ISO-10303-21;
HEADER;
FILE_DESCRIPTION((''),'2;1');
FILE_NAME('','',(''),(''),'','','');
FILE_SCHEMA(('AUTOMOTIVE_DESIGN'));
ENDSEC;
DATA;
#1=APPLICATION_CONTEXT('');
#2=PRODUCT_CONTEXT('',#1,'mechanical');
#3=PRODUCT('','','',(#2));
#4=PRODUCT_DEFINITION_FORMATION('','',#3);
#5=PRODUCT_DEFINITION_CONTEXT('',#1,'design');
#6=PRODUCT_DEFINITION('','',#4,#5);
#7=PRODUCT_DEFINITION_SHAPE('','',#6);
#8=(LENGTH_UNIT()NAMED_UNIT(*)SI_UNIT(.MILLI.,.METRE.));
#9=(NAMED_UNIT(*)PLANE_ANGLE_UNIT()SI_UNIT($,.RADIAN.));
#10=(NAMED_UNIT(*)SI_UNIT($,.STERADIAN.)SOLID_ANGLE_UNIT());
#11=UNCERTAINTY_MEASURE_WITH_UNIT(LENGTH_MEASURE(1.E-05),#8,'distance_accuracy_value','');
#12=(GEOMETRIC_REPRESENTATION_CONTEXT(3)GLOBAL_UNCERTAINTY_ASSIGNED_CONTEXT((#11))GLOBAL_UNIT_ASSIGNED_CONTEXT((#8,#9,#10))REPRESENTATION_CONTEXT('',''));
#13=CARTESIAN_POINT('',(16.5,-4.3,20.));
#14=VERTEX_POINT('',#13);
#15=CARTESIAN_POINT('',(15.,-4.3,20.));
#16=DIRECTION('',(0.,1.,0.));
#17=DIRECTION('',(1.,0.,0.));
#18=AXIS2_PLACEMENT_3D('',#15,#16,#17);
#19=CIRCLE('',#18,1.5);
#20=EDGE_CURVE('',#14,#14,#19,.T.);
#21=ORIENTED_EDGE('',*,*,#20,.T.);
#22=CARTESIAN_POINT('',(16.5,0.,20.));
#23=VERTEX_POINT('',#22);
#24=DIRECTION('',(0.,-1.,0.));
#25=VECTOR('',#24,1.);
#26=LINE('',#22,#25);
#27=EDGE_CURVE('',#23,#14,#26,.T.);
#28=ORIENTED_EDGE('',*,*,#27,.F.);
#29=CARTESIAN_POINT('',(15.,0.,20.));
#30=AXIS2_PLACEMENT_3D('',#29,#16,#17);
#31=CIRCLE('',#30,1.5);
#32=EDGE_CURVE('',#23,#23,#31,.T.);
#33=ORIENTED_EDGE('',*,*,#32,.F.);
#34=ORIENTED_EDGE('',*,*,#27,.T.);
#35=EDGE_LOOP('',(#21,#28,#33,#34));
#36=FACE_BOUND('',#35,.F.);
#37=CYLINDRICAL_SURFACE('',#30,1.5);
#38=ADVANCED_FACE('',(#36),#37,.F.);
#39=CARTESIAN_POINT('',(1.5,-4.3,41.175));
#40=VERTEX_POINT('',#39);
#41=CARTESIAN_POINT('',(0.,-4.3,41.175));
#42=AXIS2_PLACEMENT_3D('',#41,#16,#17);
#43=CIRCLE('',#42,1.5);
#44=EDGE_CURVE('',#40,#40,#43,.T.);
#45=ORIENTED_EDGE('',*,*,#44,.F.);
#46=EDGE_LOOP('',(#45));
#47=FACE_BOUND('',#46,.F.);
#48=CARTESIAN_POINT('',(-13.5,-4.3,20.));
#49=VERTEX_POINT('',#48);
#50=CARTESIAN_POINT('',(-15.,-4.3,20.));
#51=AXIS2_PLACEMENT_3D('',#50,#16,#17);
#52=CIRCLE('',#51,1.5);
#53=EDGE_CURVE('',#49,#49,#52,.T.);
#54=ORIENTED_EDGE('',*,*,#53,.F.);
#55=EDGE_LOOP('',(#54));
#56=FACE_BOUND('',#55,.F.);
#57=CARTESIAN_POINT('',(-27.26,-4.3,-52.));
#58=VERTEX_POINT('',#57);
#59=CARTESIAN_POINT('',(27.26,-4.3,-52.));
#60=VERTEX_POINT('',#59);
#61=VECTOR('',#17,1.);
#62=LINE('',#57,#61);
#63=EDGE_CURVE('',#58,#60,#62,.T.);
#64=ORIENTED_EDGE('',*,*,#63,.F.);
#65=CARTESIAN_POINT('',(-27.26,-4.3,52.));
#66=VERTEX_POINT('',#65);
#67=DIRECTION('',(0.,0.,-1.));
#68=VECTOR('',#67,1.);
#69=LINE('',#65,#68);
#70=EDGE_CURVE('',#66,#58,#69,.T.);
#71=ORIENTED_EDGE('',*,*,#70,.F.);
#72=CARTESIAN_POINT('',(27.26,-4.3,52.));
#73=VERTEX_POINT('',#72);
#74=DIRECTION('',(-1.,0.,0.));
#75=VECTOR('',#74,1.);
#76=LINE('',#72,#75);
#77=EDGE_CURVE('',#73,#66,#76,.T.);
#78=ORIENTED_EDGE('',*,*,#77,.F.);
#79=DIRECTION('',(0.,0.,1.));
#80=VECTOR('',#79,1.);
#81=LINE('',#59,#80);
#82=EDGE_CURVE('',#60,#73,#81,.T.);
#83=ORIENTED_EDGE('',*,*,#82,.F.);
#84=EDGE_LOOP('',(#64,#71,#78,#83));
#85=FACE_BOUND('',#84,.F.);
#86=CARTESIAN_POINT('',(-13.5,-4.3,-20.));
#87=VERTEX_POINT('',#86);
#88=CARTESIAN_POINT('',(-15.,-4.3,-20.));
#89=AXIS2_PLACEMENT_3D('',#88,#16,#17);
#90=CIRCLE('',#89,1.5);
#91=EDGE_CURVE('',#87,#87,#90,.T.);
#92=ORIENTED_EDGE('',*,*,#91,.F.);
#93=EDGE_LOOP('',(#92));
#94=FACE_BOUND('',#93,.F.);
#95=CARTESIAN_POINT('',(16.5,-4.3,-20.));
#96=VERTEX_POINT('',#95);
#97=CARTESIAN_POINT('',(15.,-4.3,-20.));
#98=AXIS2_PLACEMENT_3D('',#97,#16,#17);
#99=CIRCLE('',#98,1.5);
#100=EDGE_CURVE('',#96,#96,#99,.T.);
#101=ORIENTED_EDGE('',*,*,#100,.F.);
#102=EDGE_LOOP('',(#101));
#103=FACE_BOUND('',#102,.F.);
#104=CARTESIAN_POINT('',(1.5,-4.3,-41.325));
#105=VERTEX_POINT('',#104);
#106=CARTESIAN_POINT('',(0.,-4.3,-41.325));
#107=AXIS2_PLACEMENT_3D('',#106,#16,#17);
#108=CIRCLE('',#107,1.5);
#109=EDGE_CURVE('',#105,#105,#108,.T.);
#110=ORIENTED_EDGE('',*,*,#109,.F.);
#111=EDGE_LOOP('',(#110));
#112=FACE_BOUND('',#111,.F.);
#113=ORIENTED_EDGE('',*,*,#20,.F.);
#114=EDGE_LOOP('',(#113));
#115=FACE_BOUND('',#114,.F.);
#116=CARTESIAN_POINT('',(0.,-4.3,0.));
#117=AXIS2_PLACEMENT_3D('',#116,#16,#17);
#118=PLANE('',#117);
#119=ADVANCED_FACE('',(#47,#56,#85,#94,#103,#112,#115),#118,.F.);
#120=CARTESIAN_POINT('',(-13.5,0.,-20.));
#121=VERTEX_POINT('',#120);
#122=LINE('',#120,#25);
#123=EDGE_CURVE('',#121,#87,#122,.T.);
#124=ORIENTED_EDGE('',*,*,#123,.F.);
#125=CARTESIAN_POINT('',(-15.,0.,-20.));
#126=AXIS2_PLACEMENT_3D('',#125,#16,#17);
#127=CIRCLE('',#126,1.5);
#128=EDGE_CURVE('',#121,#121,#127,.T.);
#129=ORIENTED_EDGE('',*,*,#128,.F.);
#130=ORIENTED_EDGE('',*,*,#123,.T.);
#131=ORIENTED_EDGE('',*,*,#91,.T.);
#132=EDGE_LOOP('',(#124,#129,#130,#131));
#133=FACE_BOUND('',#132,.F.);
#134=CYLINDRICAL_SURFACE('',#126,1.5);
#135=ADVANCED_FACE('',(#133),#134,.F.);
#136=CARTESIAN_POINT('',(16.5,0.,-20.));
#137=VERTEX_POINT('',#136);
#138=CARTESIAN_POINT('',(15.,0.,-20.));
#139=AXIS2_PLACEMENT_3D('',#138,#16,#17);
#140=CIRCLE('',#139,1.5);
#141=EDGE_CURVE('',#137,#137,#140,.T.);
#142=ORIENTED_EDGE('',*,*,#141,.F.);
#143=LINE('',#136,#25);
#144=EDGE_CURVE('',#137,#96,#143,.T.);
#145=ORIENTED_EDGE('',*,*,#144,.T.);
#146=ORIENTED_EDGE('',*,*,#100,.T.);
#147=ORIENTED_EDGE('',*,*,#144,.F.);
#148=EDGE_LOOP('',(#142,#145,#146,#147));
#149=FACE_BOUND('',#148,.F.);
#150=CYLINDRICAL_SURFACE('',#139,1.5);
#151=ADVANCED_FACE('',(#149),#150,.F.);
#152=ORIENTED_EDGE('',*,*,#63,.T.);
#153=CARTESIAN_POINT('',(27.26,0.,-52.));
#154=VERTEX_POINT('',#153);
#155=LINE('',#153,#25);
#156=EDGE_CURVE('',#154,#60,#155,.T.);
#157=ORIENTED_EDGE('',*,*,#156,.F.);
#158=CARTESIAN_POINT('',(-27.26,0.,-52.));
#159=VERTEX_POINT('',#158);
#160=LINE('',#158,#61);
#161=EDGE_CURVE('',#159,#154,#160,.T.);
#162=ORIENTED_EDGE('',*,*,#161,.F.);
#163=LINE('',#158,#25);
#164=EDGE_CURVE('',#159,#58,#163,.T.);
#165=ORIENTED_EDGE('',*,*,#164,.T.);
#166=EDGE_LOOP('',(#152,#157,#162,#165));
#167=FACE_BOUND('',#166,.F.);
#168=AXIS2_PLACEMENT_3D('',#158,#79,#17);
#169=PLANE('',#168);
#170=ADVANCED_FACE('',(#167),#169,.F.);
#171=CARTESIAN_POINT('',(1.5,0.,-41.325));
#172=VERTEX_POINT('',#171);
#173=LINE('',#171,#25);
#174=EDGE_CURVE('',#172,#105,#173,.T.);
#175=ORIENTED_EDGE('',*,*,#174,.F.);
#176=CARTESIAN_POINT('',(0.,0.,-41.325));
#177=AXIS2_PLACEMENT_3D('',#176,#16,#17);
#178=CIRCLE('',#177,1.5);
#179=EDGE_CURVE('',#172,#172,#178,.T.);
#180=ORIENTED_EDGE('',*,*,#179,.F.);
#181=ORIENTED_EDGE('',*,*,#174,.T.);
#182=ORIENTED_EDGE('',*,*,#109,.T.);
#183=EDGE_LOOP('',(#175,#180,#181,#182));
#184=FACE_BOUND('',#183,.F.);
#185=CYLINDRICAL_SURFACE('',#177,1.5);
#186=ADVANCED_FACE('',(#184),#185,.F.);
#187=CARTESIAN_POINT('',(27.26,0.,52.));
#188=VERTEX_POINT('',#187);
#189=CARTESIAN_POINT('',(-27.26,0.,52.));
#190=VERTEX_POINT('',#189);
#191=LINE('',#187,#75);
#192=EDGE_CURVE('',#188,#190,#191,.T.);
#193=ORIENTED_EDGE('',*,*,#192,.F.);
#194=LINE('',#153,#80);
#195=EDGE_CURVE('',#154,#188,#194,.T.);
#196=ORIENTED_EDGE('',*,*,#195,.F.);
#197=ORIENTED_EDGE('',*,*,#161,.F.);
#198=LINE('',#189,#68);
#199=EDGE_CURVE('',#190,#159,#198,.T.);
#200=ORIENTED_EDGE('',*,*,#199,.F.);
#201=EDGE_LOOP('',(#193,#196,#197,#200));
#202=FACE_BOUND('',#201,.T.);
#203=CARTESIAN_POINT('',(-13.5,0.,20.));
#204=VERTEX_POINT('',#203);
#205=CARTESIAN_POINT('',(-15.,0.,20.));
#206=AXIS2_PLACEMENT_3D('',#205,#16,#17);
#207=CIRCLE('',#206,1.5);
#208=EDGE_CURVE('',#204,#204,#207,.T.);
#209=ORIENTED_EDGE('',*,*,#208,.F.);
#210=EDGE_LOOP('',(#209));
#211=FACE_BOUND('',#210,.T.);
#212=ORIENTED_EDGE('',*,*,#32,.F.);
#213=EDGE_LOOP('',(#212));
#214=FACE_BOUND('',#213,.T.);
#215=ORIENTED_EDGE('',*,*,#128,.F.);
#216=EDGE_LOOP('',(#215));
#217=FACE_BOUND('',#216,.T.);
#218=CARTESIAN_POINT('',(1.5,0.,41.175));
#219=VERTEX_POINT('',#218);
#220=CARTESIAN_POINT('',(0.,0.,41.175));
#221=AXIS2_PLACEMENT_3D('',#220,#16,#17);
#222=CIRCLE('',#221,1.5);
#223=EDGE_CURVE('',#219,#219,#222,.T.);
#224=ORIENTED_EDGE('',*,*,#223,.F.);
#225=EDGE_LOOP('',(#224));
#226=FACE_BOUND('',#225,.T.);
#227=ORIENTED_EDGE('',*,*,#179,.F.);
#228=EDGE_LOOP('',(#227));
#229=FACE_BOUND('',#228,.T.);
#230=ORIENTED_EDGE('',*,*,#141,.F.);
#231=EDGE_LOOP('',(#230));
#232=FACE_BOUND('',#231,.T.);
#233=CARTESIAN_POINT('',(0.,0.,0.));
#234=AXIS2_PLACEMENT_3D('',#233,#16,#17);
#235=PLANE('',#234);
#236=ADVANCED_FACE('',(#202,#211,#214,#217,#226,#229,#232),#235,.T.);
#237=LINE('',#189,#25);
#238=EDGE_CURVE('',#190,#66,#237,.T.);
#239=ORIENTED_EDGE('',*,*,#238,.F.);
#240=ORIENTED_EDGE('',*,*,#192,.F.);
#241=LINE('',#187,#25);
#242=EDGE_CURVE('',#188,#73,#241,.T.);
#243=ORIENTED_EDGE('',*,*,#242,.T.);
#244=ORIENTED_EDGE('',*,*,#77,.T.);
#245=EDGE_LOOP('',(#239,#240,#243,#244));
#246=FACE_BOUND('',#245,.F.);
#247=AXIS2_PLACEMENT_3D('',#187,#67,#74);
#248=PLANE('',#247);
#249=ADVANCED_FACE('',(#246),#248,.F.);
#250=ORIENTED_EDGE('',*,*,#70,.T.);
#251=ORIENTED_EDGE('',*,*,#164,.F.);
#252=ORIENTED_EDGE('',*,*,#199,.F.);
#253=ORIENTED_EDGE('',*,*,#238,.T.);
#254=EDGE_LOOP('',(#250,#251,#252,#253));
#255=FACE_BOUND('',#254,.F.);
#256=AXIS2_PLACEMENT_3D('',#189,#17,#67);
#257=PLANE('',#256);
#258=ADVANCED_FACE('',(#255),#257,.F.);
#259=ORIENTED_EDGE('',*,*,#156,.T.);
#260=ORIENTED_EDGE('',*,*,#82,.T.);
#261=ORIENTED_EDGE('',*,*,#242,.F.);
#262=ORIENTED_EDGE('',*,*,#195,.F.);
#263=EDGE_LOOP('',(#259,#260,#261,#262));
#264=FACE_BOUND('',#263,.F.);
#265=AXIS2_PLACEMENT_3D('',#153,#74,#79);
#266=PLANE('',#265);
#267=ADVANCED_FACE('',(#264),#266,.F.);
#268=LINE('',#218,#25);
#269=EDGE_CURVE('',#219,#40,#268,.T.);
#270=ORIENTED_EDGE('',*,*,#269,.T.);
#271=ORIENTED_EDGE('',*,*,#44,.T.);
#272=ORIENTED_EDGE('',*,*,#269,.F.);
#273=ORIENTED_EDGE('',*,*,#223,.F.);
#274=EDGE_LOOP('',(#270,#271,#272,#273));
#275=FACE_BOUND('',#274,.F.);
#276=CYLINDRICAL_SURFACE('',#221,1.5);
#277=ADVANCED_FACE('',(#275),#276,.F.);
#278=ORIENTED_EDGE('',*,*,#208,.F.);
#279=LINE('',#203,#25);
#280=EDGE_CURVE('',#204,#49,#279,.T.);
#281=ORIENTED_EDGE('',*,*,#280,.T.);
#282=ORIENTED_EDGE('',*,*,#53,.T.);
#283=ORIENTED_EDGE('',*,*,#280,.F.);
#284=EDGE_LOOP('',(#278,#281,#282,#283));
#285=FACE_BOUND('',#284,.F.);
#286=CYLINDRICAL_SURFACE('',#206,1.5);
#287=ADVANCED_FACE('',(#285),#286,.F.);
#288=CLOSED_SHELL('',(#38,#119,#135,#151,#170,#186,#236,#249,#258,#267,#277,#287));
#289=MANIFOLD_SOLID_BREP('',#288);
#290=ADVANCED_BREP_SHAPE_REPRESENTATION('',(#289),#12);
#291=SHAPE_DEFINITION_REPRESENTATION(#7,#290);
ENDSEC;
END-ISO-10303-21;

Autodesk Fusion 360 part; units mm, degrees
sketch "Sketch1" plane through (0, 0, 0) normal (0, 1, 0) x (1, 0, 0)
  line L0 (-27.26, -52) -> (-27.26, 52)
  line L1 (-27.26, 52) -> (27.26, 52)
  line L2 (27.26, 52) -> (27.26, -52)
  line L3 (0, 80) -> (0, -60) construction
  line L4 (-60, 0) -> (45.848, 0) construction
  line L5 (-15, 52) -> (-15, 35.15) construction
  line L6 (-15, 35.15) -> (15, 35.15) construction
  line L7 (15, 35.15) -> (15, 52) construction
  circle A0 centre (0, 41.325) radius 6.175
  line L8 (-15, 52) -> (-15, 20) construction
  line L9 (-15, 20) -> (15, 20) construction
  line L10 (15, 20) -> (15, 52) construction
  line L11 (-15, 20) -> (-15, -20) construction
  line L12 (-15, -20) -> (15, -20) construction
  line L13 (15, -20) -> (15, 20) construction
  line L14 (27.26, -52) -> (-27.26, -52)
  line L15 (15, -52) -> (15, -35) construction
  line L16 (15, -35) -> (-15, -35) construction
  line L17 (-15, -35) -> (-15, -52) construction
  line L18 (-15, -20) -> (-15, -35) construction
  line L19 (15, -20) -> (15, -35) construction
  circle A1 centre (0, -41.175) radius 6.175
  dimension "d2" = 54.52
  dimension "d6" = 16.85
  dimension "d7" = 12.35
  dimension "d9" = 32
  dimension "d10" = 40
  dimension "d12" = 104
  dimension "d16" = 17
  dimension "d17" = 12.35
extrude "Extrude1" add sketch "Sketch1" against normal blind 4.3 contours L0 L1 L2 L14 | A0 | A1
sketch "Sketch2" plane through (0, 0, 0) normal (0, 1, 0) x (1, 0, 0)
  circle A0 centre (-15, -20) radius 1.5
  circle A1 centre (15, -20) radius 1.5
  circle A2 centre (-15, 20) radius 1.5
  circle A3 centre (15, 20) radius 1.5
  circle A4 centre (0, 41.325) radius 1.5
  circle A5 centre (0, -41.175) radius 1.5
  dimension "d20" = 3
  dimension "d21" = 3
  dimension "d22" = 3
  dimension "d23" = 3
  dimension "d24" = 3
  dimension "d25" = 3
extrude "Extrude2" cut sketch "Sketch2" against normal up to surface (4.3 mm away)
